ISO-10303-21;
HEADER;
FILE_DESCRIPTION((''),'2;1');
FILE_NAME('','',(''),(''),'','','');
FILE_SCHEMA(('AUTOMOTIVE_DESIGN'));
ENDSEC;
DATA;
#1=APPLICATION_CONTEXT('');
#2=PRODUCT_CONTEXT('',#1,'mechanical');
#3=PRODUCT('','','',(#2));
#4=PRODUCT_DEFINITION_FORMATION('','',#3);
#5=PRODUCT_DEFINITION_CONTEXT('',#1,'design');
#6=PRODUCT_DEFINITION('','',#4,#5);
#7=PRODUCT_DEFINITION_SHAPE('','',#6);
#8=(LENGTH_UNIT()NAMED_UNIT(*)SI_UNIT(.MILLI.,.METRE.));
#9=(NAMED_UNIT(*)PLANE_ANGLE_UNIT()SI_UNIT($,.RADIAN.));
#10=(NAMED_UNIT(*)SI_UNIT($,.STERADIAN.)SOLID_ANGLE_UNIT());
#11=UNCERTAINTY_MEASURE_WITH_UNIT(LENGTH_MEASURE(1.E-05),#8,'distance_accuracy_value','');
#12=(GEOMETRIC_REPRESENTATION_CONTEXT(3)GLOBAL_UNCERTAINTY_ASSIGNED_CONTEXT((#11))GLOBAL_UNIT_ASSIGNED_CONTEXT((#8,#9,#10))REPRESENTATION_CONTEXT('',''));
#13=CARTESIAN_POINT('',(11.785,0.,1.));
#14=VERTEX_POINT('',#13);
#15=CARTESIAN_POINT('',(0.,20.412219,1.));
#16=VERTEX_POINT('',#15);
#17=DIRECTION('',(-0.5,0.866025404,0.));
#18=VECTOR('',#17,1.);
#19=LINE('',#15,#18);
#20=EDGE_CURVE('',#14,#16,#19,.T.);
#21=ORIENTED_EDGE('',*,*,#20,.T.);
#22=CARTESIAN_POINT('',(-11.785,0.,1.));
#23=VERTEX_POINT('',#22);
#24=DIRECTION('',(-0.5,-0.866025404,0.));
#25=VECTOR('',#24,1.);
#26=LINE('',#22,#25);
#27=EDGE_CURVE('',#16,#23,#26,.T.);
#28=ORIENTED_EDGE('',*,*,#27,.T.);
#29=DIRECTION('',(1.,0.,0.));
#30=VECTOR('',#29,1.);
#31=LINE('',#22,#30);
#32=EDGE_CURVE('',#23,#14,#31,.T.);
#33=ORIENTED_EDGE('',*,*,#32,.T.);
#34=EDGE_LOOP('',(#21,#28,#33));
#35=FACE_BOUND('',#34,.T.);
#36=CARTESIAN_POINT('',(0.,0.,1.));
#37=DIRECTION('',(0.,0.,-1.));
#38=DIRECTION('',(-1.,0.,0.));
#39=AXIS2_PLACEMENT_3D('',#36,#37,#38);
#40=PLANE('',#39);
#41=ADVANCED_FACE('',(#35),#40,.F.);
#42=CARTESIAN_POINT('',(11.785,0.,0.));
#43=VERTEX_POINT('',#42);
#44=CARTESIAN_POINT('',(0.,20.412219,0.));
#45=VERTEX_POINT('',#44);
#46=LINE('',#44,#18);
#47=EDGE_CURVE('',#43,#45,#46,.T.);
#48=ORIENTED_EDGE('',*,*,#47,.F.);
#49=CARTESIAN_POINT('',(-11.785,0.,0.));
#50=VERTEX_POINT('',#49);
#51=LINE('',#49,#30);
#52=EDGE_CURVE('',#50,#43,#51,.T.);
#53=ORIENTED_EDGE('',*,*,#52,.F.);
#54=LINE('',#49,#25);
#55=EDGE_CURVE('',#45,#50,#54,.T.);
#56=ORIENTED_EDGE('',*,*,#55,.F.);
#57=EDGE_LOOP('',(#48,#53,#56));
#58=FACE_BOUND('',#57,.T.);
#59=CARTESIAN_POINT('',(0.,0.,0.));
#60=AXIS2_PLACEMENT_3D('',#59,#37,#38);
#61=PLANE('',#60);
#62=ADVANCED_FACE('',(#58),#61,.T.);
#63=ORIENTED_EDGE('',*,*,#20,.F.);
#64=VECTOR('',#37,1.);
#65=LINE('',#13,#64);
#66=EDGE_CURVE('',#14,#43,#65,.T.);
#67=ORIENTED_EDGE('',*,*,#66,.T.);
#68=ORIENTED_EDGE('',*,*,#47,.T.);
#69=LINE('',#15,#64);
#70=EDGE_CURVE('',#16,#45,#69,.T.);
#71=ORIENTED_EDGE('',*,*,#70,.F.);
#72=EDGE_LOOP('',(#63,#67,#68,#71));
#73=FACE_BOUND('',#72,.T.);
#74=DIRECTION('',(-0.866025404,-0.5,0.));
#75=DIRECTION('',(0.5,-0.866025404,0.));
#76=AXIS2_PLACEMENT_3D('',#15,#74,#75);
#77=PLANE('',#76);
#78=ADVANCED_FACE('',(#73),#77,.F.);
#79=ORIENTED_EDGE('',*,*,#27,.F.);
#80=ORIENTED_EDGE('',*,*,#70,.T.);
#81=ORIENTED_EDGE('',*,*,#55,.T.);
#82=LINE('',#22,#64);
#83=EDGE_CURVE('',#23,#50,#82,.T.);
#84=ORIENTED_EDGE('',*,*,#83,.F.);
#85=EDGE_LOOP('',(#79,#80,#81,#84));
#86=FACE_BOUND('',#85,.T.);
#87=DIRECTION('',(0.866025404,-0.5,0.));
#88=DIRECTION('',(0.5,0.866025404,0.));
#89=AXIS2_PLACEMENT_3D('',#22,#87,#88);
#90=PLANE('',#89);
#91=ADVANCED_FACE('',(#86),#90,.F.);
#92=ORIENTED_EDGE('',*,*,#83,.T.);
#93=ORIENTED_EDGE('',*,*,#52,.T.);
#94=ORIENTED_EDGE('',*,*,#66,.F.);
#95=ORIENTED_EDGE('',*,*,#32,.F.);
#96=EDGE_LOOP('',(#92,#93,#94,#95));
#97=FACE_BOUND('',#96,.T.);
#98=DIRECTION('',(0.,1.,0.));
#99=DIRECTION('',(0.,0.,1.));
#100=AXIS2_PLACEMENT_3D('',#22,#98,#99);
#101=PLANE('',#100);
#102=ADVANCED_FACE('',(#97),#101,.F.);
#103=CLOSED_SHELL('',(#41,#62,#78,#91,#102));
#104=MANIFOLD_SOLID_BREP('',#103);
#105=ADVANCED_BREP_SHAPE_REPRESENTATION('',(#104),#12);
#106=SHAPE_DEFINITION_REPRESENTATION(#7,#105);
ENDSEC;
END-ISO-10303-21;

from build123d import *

# Parameters (mm, degrees)
EXTRUDE_1_DEPTH = 1


with BuildPart() as part:
    # 草图1 → 凸台-拉伸1 (new body)
    with BuildSketch(Plane.XY):
        Polygon((-11.785, 0), (11.785, 0), (0, 20.412218767), align=None)
    extrude(amount=EXTRUDE_1_DEPTH)


solid = part.part
